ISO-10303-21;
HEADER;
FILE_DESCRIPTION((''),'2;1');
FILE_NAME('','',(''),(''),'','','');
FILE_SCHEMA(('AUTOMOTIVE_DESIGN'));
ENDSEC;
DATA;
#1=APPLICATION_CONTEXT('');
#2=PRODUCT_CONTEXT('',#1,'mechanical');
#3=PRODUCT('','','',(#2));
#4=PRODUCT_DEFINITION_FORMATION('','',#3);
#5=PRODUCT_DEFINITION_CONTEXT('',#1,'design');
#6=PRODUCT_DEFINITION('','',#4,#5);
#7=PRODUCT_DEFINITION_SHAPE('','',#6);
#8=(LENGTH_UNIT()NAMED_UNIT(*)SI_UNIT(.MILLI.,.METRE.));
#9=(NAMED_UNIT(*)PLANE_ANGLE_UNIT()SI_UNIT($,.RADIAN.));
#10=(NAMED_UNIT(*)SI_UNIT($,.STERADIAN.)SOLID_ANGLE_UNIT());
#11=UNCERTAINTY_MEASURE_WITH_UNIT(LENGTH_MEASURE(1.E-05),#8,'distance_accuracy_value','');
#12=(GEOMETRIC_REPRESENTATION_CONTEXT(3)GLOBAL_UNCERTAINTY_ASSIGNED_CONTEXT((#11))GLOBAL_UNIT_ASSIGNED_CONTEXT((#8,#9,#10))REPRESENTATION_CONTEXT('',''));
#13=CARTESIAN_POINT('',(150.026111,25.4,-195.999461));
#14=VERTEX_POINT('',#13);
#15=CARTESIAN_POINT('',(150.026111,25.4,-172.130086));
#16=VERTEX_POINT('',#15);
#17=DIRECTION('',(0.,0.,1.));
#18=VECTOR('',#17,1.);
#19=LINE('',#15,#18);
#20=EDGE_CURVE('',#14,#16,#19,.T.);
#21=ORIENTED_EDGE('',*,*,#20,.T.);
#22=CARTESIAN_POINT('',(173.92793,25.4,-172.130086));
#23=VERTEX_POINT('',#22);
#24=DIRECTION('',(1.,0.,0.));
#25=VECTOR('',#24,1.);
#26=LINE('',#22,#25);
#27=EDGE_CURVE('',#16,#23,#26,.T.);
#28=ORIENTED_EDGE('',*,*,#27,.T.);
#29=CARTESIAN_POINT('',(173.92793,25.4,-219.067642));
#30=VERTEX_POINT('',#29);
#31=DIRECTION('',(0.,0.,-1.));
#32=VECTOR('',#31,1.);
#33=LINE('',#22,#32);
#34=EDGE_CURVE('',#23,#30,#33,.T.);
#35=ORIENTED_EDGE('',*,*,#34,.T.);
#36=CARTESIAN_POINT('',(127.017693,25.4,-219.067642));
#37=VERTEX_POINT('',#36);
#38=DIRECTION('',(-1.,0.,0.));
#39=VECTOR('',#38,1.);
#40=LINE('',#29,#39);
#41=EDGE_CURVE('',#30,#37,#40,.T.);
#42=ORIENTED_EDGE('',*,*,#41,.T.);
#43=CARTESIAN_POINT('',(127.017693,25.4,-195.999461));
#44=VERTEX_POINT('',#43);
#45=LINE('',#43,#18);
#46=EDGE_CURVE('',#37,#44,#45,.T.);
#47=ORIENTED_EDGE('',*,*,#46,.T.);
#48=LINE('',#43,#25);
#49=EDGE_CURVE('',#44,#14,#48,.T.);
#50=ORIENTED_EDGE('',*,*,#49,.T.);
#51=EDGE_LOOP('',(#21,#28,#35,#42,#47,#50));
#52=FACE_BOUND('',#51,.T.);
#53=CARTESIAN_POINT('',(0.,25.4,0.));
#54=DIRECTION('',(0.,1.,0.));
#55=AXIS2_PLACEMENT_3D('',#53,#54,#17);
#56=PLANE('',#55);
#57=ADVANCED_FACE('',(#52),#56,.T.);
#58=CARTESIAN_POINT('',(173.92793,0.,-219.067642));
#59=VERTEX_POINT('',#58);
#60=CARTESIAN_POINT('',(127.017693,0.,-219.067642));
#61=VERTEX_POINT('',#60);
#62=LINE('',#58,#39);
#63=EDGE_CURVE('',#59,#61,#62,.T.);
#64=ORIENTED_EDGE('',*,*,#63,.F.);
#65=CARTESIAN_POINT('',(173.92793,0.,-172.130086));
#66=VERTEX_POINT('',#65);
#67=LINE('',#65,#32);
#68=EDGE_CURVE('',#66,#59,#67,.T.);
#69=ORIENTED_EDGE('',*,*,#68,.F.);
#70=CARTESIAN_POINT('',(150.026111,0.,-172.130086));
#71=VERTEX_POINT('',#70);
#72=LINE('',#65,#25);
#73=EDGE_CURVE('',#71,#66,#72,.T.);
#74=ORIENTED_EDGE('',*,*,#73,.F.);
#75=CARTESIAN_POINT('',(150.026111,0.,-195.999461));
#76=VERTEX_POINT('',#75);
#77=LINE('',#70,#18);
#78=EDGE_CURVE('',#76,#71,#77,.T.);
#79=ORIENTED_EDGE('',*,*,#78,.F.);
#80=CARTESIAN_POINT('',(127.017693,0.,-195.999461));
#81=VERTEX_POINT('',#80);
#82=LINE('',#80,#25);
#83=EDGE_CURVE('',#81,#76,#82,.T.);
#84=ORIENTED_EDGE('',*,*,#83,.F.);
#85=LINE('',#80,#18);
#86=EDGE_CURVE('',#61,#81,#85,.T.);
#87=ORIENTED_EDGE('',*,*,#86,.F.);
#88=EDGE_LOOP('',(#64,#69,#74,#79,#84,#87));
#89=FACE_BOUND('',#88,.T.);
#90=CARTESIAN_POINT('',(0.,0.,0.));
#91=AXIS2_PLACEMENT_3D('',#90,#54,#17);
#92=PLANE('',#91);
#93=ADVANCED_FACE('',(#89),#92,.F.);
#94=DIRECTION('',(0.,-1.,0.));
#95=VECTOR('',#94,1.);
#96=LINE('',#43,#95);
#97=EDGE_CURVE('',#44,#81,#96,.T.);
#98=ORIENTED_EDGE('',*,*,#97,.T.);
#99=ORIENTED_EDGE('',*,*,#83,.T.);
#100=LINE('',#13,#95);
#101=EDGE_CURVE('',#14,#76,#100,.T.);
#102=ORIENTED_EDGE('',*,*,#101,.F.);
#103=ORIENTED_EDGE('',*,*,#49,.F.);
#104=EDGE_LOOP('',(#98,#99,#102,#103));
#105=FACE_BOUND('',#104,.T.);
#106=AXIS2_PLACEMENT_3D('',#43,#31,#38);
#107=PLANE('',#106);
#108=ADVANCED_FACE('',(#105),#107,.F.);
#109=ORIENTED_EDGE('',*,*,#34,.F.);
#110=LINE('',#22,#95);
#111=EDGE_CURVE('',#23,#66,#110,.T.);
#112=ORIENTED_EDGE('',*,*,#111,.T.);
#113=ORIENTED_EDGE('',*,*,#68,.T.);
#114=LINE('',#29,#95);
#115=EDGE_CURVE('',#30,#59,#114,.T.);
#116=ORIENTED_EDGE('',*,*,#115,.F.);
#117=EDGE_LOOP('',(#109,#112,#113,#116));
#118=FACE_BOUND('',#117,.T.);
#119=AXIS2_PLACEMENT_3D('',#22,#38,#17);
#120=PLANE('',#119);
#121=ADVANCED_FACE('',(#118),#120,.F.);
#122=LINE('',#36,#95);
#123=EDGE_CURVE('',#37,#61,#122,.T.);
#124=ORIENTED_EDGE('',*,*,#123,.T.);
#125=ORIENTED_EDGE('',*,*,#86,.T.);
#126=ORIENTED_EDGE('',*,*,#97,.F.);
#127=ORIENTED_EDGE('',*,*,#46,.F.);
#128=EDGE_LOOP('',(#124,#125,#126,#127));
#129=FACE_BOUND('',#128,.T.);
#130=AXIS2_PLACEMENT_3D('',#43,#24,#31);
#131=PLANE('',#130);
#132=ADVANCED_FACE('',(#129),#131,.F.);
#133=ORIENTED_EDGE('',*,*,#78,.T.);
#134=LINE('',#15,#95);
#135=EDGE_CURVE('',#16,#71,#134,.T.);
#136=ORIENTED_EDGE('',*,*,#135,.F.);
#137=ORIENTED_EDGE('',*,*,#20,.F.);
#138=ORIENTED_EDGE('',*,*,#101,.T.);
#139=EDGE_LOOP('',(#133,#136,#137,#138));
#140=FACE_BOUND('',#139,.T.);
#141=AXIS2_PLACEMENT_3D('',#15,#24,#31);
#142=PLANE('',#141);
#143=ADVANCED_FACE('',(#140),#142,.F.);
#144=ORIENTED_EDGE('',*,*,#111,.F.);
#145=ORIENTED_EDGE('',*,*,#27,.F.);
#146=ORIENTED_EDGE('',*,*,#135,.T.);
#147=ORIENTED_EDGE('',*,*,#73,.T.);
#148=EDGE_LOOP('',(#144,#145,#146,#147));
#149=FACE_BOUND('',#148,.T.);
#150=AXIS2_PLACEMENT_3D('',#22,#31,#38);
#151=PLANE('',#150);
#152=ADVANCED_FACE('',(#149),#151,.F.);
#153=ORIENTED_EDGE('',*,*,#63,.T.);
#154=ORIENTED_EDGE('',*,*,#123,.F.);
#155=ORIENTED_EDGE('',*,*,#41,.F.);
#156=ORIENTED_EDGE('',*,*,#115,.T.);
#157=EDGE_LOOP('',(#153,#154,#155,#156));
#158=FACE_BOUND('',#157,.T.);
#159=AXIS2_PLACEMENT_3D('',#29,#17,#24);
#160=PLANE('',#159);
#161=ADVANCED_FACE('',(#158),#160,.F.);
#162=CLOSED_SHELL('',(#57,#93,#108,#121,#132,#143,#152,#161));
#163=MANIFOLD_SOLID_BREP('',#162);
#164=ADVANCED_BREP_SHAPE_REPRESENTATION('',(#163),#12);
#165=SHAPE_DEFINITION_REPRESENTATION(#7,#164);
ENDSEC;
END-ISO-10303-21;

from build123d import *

# Parameters (mm, degrees)
BOSS_EXTRUDE1_DEPTH     = 25.4
BOSS_EXTRUDE1_2_DEPTH   = 25.4
CUT_EXTRUDE1_DEPTH      = 281.867791968
CUT_EXTRUDE1_DEPTH_BACK = 281.867791968
SKETCH2_OUTSIDE_W       = 232.096
SKETCH2_OUTSIDE_H       = 277.199
SKETCH2_OUTSIDE_W_2     = 46.910236734
SKETCH2_OUTSIDE_H_2     = 46.937556504


with BuildPart() as part:
    # Sketch1 → Boss-Extrude1 (new body)
    with BuildSketch(Plane(origin=(0, 0, 0), x_dir=(1, 0, 0), z_dir=(0, 1, 0))):
        with BuildLine():
            Line((0, 80.02759766), (0, 219.067642019))
            Line((0, 219.067642019), (103.040086398, 219.067642019))
            Line((103.040086398, 219.067642019), (103.040086398, 195.999460881))
            Line((103.040086398, 195.999460881), (23.011829096, 195.999460881))
            Line((23.011829096, 195.999460881), (23.011829096, 161.013213822))
            ThreePointArc((23.011829096, 161.013213822), (101.985495584, 126.901824422), (136.744902109, 48.211224327))
            ThreePointArc((136.744902109, 48.211224327), (146.280346481, 62.911008862), (150.026111113, 80.02759766))
            Line((150.026111113, 80.02759766), (150.026111113, 148.011746996))
            Line((150.026111113, 148.011746996), (172.974333949, 148.011746996))
            Line((172.974333949, 148.011746996), (172.974333949, 80.02759766))
            ThreePointArc((172.974333949, 80.02759766), (86.487166974, 0.037389651), (0, 80.02759766))
        make_face()
        with BuildLine():
            Line((23.011829096, 136.058182002), (23.011829096, 80.02759766))
            ThreePointArc((23.011829096, 80.02759766), (54.48283159, 31.69310754), (112.066438029, 28.410547154))
            ThreePointArc((112.066438029, 28.410547154), (90.841729512, 101.512108787), (23.011829096, 136.058182002))
        make_face(mode=Mode.SUBTRACT)
    extrude(amount=BOSS_EXTRUDE1_DEPTH)

    # Sketch2 outside → Cut-Extrude1 (cut, two sides: drawn at the far end of the back side and taken through both)
    with BuildSketch(Plane(origin=(0, 25.4, 0), x_dir=(1, 0, 0), z_dir=(0, 1, 0)).offset(-CUT_EXTRUDE1_DEPTH_BACK)):
        with Locations((86.964, 109.5525)):
            Rectangle(SKETCH2_OUTSIDE_W, SKETCH2_OUTSIDE_H)
        with Locations((150.472811492, 195.598863767)):
            Rectangle(SKETCH2_OUTSIDE_W_2, SKETCH2_OUTSIDE_H_2, mode=Mode.SUBTRACT)
    extrude(amount=CUT_EXTRUDE1_DEPTH + CUT_EXTRUDE1_DEPTH_BACK, mode=Mode.SUBTRACT)


with BuildPart() as body_2:
    # Sketch1 → Boss-Extrude1 2 (new body)
    with BuildSketch(Plane(origin=(0, 0, 0), x_dir=(1, 0, 0), z_dir=(0, 1, 0))):
        Polygon((173.927929859, 172.130085515), (150.026111113, 172.130085515), (150.026111113, 195.999460881), (127.017693125, 195.999460881), (127.017693125, 219.067642019), (173.927929859, 219.067642019), align=None)
    extrude(amount=BOSS_EXTRUDE1_2_DEPTH)


solid = body_2.part
